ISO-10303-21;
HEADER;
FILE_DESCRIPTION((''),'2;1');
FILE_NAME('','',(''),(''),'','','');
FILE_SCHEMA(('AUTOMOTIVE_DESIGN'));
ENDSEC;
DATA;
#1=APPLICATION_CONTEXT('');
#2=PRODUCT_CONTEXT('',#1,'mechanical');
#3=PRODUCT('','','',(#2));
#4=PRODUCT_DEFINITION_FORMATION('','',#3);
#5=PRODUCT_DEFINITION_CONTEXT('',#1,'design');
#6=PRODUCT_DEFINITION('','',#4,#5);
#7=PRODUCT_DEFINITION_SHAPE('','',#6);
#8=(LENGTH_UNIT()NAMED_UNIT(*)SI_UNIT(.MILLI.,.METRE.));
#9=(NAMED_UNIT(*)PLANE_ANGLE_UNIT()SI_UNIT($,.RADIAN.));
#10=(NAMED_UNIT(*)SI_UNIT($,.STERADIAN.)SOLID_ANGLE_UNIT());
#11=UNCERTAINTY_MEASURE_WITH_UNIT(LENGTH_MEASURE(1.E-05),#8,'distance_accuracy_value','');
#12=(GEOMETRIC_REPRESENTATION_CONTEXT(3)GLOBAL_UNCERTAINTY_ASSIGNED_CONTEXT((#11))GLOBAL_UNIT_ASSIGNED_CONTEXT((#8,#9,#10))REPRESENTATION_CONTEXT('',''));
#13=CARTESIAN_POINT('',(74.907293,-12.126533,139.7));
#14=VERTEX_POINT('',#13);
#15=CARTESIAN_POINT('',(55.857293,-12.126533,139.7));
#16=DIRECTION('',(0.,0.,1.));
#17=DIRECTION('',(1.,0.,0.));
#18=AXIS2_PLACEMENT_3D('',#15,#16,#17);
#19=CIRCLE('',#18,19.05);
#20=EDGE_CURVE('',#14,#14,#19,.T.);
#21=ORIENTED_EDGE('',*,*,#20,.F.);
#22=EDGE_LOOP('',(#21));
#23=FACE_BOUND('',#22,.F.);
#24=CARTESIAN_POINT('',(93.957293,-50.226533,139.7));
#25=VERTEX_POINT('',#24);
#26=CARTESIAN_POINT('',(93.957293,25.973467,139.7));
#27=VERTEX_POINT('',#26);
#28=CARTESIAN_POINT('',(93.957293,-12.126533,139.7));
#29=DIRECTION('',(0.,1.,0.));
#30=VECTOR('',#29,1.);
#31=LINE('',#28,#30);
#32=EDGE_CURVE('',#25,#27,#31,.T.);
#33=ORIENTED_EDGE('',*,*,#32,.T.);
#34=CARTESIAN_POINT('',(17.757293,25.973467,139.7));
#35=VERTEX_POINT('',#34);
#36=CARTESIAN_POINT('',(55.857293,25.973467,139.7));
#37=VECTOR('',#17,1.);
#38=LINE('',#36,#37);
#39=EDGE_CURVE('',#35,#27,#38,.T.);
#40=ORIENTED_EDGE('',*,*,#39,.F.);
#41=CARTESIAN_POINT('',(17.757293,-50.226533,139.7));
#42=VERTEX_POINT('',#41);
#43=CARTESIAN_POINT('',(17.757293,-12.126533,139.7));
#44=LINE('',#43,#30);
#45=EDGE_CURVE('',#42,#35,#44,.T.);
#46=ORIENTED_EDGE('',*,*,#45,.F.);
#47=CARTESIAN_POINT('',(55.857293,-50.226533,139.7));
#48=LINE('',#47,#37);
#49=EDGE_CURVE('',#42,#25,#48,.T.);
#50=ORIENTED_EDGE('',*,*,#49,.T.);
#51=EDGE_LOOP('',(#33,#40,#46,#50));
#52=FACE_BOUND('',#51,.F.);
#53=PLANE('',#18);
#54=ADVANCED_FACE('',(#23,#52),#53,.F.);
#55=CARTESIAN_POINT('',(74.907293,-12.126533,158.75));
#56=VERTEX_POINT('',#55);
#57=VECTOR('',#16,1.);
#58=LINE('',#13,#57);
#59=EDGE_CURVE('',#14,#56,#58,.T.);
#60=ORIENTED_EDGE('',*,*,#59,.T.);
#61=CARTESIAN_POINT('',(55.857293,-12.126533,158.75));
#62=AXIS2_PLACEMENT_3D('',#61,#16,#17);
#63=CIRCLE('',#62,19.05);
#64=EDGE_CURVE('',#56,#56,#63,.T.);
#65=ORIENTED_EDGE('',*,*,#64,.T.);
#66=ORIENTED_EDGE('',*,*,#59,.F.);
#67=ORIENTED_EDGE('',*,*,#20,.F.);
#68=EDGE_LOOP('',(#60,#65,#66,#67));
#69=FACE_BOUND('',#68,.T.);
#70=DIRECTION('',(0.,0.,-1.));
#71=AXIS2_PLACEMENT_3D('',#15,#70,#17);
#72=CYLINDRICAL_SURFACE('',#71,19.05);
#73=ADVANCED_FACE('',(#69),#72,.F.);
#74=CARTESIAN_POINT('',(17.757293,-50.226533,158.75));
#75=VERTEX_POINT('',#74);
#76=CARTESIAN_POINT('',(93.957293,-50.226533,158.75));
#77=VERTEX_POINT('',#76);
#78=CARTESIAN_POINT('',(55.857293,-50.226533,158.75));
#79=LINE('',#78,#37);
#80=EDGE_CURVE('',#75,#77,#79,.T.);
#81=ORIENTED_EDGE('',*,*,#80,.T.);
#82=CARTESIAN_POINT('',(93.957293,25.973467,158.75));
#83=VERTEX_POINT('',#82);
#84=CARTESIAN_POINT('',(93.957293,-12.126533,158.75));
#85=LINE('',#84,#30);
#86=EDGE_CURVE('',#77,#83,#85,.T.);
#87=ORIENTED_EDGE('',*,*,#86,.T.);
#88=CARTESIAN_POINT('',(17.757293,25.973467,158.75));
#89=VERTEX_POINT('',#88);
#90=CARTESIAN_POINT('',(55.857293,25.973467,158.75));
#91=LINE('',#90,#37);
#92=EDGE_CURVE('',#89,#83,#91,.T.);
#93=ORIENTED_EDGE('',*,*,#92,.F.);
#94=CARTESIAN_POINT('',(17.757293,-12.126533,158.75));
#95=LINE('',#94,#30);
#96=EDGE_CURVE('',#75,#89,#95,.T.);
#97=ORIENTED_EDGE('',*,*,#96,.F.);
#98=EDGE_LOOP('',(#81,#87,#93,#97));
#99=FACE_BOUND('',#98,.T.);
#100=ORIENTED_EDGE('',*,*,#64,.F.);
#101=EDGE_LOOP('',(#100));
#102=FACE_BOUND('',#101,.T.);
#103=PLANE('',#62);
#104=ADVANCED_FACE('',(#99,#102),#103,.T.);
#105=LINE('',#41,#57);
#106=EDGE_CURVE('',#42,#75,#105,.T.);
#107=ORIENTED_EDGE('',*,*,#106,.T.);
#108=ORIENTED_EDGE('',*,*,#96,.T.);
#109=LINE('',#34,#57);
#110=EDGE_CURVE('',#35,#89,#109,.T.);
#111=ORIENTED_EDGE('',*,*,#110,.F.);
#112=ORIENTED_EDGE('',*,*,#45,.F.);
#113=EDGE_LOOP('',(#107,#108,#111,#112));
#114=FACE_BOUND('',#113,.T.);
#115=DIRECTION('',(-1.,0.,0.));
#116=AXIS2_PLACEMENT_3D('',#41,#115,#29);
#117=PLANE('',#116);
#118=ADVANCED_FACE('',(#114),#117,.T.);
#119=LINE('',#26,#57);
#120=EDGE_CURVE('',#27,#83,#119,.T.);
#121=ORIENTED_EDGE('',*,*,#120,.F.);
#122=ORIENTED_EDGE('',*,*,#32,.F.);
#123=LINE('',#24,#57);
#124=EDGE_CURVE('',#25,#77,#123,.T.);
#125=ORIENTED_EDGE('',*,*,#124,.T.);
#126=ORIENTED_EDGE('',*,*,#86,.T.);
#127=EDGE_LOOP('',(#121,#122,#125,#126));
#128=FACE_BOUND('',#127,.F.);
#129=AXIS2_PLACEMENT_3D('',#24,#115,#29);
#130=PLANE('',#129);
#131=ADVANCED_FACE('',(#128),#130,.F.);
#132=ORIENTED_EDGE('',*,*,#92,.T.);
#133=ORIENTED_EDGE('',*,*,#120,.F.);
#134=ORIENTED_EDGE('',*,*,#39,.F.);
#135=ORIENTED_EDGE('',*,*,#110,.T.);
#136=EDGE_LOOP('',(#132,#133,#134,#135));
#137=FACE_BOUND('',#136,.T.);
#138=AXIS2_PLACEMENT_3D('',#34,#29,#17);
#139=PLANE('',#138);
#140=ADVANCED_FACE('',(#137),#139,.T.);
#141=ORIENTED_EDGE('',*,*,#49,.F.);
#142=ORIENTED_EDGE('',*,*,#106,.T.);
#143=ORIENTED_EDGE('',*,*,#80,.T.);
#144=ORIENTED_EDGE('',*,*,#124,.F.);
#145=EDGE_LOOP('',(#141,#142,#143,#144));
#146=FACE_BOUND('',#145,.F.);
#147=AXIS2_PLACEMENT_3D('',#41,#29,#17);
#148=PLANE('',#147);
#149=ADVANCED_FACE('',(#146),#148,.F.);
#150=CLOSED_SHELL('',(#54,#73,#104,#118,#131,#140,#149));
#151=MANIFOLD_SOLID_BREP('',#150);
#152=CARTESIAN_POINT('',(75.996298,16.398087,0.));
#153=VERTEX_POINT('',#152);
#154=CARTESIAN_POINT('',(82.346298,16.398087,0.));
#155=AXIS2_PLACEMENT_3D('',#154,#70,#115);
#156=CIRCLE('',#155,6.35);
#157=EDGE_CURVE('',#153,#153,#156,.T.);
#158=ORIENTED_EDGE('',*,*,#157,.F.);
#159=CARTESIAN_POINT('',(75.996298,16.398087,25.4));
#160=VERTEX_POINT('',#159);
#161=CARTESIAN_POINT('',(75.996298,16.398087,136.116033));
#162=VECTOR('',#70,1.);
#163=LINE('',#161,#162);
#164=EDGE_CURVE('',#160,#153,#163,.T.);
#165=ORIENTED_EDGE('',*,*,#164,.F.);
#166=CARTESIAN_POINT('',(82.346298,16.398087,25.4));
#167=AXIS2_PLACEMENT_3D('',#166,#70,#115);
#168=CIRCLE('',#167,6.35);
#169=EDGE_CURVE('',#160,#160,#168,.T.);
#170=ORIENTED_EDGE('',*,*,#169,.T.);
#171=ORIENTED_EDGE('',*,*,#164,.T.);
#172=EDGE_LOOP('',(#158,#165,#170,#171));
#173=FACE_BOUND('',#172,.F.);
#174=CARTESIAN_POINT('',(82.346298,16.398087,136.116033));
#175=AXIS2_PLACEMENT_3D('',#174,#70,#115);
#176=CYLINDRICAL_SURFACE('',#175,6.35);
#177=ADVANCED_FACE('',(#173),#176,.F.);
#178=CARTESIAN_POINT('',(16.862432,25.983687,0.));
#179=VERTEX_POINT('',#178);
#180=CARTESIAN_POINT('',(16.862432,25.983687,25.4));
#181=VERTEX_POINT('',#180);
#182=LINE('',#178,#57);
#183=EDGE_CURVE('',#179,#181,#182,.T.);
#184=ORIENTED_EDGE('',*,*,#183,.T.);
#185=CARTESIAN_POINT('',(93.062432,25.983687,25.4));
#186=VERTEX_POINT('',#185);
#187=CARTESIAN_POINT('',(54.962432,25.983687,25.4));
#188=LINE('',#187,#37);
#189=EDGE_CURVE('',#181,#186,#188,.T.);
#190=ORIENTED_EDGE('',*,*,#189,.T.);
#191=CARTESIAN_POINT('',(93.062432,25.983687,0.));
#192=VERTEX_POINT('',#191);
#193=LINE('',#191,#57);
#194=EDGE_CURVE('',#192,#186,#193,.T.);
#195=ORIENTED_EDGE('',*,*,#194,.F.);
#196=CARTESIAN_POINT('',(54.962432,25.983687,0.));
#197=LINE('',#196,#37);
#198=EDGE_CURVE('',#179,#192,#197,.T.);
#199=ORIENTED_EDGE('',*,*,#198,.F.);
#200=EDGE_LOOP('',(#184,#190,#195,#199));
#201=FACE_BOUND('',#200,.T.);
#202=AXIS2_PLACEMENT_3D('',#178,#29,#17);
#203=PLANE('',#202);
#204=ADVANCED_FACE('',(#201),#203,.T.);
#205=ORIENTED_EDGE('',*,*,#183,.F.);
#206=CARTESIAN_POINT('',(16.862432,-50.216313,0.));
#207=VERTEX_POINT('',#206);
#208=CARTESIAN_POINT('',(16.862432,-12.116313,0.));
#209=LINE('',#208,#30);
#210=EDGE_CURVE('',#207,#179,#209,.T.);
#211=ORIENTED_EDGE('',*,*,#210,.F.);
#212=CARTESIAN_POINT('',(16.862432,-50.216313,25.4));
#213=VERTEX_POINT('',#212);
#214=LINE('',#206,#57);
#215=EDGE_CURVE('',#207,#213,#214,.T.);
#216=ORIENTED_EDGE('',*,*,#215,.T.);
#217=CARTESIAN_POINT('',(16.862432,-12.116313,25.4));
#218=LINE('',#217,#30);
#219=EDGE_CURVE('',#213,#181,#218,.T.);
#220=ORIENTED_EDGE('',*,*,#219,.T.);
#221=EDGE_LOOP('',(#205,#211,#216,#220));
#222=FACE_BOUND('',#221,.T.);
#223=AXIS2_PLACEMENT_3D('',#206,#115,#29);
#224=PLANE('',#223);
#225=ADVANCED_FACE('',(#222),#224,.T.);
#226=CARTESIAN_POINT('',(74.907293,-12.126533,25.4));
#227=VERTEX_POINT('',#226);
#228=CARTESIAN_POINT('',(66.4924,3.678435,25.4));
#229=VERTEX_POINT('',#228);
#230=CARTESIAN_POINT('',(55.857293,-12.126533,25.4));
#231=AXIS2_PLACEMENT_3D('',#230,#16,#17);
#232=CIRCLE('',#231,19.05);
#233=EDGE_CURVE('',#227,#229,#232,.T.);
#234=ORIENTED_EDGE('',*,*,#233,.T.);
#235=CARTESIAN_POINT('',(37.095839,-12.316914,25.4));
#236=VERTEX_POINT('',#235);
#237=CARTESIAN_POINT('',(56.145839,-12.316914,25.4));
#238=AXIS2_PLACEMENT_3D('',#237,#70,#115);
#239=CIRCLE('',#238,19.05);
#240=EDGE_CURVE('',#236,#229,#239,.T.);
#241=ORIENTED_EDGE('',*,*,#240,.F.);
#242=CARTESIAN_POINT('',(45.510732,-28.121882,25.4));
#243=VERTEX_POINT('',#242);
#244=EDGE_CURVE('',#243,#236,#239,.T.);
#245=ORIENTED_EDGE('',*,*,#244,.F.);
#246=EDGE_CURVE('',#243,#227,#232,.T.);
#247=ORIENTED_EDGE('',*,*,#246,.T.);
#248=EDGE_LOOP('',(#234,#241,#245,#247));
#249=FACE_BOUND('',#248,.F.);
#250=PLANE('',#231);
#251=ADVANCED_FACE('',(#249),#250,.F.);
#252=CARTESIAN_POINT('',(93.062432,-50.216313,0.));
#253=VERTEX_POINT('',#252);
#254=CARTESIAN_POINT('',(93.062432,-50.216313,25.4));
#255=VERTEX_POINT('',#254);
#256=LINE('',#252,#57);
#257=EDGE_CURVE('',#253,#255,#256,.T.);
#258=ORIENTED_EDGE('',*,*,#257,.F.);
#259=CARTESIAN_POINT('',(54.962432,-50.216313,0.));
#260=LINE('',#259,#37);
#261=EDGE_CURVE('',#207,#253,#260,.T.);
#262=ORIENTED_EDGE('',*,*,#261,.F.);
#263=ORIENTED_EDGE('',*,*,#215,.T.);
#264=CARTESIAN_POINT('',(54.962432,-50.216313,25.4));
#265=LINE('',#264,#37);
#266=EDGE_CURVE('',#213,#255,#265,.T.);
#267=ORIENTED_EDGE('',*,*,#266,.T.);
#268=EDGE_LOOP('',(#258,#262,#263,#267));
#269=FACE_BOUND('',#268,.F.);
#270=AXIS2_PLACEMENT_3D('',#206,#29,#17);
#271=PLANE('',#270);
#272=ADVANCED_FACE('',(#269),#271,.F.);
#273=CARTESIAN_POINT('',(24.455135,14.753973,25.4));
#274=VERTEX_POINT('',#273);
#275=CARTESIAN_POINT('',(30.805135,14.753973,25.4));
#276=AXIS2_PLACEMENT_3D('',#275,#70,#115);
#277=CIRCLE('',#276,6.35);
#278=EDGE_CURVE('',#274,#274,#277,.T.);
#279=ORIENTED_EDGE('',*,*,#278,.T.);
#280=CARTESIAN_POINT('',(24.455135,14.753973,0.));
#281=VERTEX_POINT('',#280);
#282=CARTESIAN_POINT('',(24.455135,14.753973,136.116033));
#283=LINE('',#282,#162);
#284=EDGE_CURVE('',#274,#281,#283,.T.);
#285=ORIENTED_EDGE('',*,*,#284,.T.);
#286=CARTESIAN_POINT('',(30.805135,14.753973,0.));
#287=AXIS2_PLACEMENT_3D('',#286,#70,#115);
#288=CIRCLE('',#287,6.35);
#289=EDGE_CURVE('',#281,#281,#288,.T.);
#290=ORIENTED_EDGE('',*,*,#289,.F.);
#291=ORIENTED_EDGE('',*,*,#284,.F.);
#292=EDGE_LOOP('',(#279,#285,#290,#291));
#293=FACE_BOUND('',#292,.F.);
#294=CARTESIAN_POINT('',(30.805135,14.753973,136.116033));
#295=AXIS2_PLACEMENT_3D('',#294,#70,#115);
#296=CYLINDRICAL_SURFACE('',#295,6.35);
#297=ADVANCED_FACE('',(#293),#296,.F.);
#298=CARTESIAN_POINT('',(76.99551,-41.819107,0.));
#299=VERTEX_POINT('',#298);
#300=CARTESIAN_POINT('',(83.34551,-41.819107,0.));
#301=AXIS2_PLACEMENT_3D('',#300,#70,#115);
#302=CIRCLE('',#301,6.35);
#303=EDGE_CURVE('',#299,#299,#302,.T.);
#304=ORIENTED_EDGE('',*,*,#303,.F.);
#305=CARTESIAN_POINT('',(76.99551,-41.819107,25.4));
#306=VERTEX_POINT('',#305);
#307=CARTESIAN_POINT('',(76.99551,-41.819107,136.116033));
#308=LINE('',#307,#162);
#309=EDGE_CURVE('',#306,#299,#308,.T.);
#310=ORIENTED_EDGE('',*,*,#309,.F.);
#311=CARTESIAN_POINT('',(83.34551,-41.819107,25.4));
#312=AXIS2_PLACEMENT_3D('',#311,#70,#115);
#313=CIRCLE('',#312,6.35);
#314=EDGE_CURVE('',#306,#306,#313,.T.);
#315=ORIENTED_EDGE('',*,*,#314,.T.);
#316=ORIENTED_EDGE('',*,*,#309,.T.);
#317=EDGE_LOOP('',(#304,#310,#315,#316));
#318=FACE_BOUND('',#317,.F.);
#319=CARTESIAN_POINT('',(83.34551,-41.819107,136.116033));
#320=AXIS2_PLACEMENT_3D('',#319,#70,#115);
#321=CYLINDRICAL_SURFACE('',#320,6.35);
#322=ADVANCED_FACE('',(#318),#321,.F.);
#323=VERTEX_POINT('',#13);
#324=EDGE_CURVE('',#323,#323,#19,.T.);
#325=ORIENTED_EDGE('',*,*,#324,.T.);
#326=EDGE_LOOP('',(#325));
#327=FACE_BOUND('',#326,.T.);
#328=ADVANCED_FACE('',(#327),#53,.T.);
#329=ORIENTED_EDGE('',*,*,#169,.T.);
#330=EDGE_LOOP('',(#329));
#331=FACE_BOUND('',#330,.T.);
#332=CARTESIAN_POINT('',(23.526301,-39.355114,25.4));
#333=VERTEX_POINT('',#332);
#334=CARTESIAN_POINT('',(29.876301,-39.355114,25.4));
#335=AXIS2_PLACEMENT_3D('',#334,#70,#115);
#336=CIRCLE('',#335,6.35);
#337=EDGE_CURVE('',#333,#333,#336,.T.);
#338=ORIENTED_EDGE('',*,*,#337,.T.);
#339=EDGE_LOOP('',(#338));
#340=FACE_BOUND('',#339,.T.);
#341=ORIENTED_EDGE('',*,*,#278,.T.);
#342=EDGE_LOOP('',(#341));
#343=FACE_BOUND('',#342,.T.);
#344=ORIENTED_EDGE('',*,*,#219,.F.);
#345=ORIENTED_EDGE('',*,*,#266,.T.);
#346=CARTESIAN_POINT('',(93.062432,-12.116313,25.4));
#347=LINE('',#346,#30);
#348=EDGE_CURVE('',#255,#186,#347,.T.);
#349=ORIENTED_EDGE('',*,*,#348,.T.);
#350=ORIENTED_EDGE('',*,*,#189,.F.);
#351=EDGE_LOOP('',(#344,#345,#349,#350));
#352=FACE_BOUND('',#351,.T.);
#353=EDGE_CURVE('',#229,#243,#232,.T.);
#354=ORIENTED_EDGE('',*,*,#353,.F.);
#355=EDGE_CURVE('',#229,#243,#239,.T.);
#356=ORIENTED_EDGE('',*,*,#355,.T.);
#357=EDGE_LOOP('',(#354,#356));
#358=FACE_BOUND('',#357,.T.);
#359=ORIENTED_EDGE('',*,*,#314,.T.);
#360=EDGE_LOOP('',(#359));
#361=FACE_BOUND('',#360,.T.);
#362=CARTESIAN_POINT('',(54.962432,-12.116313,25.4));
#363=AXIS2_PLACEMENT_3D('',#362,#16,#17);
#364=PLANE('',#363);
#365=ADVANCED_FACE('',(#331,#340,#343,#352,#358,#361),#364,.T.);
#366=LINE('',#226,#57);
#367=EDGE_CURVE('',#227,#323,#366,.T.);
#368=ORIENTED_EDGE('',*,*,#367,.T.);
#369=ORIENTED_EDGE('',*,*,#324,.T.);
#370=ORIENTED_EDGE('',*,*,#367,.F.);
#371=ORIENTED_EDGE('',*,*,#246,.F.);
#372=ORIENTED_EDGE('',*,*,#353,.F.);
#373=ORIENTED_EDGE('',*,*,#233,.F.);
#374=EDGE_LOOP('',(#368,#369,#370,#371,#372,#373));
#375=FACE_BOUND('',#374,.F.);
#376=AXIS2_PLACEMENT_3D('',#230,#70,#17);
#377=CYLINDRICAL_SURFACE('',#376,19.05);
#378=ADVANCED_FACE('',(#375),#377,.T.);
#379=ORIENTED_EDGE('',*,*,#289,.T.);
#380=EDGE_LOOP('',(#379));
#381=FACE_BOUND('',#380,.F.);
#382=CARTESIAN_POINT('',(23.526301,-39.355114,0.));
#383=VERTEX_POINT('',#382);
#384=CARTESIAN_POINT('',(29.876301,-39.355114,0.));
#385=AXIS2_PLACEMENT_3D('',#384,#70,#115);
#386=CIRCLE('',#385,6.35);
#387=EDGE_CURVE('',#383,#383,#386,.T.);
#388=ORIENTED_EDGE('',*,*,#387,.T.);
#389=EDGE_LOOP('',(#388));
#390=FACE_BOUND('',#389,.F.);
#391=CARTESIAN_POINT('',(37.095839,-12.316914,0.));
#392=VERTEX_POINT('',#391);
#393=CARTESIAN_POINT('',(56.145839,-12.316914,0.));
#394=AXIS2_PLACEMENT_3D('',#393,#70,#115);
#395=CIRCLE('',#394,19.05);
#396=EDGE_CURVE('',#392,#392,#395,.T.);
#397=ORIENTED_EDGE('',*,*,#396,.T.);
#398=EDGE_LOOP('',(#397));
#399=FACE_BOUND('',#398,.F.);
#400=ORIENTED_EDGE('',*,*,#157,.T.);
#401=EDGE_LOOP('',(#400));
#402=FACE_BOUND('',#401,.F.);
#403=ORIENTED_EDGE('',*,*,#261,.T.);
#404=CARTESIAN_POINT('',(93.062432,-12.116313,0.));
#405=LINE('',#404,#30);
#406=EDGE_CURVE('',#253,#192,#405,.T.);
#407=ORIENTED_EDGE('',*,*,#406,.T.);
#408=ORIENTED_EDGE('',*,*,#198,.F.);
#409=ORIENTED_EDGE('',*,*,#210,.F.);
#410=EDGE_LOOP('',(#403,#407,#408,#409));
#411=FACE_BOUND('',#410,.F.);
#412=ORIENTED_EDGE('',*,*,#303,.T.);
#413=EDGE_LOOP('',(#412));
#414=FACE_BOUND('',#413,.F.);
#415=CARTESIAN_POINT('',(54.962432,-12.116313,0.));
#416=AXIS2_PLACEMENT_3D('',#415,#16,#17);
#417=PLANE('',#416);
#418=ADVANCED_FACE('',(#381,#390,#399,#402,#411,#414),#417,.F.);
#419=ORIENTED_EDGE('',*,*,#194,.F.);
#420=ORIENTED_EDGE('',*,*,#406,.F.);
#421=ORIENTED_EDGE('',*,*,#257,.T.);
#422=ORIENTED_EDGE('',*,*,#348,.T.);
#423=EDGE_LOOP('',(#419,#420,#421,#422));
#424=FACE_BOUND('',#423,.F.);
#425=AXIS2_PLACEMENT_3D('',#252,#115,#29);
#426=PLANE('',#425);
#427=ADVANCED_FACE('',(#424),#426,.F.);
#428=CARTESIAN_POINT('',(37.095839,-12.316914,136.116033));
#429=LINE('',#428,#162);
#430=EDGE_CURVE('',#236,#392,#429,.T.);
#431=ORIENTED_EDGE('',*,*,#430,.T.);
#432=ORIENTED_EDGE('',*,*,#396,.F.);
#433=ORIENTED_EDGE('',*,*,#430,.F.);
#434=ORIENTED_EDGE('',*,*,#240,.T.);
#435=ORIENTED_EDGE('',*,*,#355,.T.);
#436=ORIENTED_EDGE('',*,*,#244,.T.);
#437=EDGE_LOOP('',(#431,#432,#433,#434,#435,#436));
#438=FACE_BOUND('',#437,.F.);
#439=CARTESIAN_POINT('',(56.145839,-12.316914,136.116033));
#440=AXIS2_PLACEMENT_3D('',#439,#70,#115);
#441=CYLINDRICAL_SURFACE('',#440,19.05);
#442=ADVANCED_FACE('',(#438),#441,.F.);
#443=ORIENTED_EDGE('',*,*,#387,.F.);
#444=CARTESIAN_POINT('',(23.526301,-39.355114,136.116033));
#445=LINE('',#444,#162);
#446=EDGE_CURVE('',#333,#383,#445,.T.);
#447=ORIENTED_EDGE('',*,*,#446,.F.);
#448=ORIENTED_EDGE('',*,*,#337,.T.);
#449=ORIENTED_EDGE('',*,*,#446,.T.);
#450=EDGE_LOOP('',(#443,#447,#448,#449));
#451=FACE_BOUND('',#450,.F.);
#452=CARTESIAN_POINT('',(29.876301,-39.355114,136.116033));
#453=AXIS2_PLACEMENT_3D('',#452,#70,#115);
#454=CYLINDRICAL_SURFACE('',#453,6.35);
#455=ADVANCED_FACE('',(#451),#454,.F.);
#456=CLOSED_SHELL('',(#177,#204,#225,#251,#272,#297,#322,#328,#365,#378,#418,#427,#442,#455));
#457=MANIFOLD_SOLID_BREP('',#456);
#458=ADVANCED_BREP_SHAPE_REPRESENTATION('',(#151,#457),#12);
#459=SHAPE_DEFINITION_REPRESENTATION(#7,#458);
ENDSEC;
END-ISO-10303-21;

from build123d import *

# Parameters (mm, degrees)
F0_W      = 76.2
F0_H      = 76.2
F1_DEPTH  = 25.4
F4_D      = 38.1
F9_D      = 12.7
F10_R     = 19.05
F11_DEPTH = 114.3
F12_W     = 76.2
F12_H     = 76.2
F12_R     = 19.05
F13_DEPTH = 25.4
F15_W     = 76.2
F15_H     = 76.2
F15_R     = 19.05
F16_DEPTH = 19.05


with BuildPart() as f1:
    # F0 (on Top) → F1 (new body)
    with BuildSketch(Plane.XY):
        with Locations((54.962432, -12.116313)):
            Rectangle(F0_W, F0_H)
    extrude(amount=F1_DEPTH)

    # F4 (through all)
    with Locations(Plane.XY.offset(25.4)):
        with Locations((56.145839, -12.316914)):
            Hole(F4_D / 2)

    # F9 (through all)
    with Locations(Plane.XY.offset(25.4)):
        with Locations((83.34551, -41.819107), (29.876301, -39.355114), (30.805135, 14.753973), (82.346298, 16.398087)):
            Hole(F9_D / 2)

    # F10 (on face) → F11 (join)
    with BuildSketch(Plane.XY.offset(25.4)):
        with Locations((55.857293, -12.126533)):
            Circle(F10_R)
    extrude(amount=F11_DEPTH)


with BuildPart() as f13:
    # F12 (on face) → F13 (new body)
    with BuildSketch(Plane.XY.offset(139.7)):
        with Locations((55.857293, -12.126533)):
            Rectangle(F12_W, F12_H)
        with Locations((55.857293, -12.126533)):
            Circle(F12_R, mode=Mode.SUBTRACT)
    extrude(amount=F13_DEPTH)


with BuildPart() as f16:
    # F15 (on face) → F16 (new body)
    with BuildSketch(Plane.XY.offset(139.7)):
        with Locations((55.857293, -12.126533)):
            Rectangle(F15_W, F15_H)
        with Locations((55.857293, -12.126533)):
            Circle(F15_R, mode=Mode.SUBTRACT)
    extrude(amount=F16_DEPTH)


solid = Compound([f1.part, f16.part])
